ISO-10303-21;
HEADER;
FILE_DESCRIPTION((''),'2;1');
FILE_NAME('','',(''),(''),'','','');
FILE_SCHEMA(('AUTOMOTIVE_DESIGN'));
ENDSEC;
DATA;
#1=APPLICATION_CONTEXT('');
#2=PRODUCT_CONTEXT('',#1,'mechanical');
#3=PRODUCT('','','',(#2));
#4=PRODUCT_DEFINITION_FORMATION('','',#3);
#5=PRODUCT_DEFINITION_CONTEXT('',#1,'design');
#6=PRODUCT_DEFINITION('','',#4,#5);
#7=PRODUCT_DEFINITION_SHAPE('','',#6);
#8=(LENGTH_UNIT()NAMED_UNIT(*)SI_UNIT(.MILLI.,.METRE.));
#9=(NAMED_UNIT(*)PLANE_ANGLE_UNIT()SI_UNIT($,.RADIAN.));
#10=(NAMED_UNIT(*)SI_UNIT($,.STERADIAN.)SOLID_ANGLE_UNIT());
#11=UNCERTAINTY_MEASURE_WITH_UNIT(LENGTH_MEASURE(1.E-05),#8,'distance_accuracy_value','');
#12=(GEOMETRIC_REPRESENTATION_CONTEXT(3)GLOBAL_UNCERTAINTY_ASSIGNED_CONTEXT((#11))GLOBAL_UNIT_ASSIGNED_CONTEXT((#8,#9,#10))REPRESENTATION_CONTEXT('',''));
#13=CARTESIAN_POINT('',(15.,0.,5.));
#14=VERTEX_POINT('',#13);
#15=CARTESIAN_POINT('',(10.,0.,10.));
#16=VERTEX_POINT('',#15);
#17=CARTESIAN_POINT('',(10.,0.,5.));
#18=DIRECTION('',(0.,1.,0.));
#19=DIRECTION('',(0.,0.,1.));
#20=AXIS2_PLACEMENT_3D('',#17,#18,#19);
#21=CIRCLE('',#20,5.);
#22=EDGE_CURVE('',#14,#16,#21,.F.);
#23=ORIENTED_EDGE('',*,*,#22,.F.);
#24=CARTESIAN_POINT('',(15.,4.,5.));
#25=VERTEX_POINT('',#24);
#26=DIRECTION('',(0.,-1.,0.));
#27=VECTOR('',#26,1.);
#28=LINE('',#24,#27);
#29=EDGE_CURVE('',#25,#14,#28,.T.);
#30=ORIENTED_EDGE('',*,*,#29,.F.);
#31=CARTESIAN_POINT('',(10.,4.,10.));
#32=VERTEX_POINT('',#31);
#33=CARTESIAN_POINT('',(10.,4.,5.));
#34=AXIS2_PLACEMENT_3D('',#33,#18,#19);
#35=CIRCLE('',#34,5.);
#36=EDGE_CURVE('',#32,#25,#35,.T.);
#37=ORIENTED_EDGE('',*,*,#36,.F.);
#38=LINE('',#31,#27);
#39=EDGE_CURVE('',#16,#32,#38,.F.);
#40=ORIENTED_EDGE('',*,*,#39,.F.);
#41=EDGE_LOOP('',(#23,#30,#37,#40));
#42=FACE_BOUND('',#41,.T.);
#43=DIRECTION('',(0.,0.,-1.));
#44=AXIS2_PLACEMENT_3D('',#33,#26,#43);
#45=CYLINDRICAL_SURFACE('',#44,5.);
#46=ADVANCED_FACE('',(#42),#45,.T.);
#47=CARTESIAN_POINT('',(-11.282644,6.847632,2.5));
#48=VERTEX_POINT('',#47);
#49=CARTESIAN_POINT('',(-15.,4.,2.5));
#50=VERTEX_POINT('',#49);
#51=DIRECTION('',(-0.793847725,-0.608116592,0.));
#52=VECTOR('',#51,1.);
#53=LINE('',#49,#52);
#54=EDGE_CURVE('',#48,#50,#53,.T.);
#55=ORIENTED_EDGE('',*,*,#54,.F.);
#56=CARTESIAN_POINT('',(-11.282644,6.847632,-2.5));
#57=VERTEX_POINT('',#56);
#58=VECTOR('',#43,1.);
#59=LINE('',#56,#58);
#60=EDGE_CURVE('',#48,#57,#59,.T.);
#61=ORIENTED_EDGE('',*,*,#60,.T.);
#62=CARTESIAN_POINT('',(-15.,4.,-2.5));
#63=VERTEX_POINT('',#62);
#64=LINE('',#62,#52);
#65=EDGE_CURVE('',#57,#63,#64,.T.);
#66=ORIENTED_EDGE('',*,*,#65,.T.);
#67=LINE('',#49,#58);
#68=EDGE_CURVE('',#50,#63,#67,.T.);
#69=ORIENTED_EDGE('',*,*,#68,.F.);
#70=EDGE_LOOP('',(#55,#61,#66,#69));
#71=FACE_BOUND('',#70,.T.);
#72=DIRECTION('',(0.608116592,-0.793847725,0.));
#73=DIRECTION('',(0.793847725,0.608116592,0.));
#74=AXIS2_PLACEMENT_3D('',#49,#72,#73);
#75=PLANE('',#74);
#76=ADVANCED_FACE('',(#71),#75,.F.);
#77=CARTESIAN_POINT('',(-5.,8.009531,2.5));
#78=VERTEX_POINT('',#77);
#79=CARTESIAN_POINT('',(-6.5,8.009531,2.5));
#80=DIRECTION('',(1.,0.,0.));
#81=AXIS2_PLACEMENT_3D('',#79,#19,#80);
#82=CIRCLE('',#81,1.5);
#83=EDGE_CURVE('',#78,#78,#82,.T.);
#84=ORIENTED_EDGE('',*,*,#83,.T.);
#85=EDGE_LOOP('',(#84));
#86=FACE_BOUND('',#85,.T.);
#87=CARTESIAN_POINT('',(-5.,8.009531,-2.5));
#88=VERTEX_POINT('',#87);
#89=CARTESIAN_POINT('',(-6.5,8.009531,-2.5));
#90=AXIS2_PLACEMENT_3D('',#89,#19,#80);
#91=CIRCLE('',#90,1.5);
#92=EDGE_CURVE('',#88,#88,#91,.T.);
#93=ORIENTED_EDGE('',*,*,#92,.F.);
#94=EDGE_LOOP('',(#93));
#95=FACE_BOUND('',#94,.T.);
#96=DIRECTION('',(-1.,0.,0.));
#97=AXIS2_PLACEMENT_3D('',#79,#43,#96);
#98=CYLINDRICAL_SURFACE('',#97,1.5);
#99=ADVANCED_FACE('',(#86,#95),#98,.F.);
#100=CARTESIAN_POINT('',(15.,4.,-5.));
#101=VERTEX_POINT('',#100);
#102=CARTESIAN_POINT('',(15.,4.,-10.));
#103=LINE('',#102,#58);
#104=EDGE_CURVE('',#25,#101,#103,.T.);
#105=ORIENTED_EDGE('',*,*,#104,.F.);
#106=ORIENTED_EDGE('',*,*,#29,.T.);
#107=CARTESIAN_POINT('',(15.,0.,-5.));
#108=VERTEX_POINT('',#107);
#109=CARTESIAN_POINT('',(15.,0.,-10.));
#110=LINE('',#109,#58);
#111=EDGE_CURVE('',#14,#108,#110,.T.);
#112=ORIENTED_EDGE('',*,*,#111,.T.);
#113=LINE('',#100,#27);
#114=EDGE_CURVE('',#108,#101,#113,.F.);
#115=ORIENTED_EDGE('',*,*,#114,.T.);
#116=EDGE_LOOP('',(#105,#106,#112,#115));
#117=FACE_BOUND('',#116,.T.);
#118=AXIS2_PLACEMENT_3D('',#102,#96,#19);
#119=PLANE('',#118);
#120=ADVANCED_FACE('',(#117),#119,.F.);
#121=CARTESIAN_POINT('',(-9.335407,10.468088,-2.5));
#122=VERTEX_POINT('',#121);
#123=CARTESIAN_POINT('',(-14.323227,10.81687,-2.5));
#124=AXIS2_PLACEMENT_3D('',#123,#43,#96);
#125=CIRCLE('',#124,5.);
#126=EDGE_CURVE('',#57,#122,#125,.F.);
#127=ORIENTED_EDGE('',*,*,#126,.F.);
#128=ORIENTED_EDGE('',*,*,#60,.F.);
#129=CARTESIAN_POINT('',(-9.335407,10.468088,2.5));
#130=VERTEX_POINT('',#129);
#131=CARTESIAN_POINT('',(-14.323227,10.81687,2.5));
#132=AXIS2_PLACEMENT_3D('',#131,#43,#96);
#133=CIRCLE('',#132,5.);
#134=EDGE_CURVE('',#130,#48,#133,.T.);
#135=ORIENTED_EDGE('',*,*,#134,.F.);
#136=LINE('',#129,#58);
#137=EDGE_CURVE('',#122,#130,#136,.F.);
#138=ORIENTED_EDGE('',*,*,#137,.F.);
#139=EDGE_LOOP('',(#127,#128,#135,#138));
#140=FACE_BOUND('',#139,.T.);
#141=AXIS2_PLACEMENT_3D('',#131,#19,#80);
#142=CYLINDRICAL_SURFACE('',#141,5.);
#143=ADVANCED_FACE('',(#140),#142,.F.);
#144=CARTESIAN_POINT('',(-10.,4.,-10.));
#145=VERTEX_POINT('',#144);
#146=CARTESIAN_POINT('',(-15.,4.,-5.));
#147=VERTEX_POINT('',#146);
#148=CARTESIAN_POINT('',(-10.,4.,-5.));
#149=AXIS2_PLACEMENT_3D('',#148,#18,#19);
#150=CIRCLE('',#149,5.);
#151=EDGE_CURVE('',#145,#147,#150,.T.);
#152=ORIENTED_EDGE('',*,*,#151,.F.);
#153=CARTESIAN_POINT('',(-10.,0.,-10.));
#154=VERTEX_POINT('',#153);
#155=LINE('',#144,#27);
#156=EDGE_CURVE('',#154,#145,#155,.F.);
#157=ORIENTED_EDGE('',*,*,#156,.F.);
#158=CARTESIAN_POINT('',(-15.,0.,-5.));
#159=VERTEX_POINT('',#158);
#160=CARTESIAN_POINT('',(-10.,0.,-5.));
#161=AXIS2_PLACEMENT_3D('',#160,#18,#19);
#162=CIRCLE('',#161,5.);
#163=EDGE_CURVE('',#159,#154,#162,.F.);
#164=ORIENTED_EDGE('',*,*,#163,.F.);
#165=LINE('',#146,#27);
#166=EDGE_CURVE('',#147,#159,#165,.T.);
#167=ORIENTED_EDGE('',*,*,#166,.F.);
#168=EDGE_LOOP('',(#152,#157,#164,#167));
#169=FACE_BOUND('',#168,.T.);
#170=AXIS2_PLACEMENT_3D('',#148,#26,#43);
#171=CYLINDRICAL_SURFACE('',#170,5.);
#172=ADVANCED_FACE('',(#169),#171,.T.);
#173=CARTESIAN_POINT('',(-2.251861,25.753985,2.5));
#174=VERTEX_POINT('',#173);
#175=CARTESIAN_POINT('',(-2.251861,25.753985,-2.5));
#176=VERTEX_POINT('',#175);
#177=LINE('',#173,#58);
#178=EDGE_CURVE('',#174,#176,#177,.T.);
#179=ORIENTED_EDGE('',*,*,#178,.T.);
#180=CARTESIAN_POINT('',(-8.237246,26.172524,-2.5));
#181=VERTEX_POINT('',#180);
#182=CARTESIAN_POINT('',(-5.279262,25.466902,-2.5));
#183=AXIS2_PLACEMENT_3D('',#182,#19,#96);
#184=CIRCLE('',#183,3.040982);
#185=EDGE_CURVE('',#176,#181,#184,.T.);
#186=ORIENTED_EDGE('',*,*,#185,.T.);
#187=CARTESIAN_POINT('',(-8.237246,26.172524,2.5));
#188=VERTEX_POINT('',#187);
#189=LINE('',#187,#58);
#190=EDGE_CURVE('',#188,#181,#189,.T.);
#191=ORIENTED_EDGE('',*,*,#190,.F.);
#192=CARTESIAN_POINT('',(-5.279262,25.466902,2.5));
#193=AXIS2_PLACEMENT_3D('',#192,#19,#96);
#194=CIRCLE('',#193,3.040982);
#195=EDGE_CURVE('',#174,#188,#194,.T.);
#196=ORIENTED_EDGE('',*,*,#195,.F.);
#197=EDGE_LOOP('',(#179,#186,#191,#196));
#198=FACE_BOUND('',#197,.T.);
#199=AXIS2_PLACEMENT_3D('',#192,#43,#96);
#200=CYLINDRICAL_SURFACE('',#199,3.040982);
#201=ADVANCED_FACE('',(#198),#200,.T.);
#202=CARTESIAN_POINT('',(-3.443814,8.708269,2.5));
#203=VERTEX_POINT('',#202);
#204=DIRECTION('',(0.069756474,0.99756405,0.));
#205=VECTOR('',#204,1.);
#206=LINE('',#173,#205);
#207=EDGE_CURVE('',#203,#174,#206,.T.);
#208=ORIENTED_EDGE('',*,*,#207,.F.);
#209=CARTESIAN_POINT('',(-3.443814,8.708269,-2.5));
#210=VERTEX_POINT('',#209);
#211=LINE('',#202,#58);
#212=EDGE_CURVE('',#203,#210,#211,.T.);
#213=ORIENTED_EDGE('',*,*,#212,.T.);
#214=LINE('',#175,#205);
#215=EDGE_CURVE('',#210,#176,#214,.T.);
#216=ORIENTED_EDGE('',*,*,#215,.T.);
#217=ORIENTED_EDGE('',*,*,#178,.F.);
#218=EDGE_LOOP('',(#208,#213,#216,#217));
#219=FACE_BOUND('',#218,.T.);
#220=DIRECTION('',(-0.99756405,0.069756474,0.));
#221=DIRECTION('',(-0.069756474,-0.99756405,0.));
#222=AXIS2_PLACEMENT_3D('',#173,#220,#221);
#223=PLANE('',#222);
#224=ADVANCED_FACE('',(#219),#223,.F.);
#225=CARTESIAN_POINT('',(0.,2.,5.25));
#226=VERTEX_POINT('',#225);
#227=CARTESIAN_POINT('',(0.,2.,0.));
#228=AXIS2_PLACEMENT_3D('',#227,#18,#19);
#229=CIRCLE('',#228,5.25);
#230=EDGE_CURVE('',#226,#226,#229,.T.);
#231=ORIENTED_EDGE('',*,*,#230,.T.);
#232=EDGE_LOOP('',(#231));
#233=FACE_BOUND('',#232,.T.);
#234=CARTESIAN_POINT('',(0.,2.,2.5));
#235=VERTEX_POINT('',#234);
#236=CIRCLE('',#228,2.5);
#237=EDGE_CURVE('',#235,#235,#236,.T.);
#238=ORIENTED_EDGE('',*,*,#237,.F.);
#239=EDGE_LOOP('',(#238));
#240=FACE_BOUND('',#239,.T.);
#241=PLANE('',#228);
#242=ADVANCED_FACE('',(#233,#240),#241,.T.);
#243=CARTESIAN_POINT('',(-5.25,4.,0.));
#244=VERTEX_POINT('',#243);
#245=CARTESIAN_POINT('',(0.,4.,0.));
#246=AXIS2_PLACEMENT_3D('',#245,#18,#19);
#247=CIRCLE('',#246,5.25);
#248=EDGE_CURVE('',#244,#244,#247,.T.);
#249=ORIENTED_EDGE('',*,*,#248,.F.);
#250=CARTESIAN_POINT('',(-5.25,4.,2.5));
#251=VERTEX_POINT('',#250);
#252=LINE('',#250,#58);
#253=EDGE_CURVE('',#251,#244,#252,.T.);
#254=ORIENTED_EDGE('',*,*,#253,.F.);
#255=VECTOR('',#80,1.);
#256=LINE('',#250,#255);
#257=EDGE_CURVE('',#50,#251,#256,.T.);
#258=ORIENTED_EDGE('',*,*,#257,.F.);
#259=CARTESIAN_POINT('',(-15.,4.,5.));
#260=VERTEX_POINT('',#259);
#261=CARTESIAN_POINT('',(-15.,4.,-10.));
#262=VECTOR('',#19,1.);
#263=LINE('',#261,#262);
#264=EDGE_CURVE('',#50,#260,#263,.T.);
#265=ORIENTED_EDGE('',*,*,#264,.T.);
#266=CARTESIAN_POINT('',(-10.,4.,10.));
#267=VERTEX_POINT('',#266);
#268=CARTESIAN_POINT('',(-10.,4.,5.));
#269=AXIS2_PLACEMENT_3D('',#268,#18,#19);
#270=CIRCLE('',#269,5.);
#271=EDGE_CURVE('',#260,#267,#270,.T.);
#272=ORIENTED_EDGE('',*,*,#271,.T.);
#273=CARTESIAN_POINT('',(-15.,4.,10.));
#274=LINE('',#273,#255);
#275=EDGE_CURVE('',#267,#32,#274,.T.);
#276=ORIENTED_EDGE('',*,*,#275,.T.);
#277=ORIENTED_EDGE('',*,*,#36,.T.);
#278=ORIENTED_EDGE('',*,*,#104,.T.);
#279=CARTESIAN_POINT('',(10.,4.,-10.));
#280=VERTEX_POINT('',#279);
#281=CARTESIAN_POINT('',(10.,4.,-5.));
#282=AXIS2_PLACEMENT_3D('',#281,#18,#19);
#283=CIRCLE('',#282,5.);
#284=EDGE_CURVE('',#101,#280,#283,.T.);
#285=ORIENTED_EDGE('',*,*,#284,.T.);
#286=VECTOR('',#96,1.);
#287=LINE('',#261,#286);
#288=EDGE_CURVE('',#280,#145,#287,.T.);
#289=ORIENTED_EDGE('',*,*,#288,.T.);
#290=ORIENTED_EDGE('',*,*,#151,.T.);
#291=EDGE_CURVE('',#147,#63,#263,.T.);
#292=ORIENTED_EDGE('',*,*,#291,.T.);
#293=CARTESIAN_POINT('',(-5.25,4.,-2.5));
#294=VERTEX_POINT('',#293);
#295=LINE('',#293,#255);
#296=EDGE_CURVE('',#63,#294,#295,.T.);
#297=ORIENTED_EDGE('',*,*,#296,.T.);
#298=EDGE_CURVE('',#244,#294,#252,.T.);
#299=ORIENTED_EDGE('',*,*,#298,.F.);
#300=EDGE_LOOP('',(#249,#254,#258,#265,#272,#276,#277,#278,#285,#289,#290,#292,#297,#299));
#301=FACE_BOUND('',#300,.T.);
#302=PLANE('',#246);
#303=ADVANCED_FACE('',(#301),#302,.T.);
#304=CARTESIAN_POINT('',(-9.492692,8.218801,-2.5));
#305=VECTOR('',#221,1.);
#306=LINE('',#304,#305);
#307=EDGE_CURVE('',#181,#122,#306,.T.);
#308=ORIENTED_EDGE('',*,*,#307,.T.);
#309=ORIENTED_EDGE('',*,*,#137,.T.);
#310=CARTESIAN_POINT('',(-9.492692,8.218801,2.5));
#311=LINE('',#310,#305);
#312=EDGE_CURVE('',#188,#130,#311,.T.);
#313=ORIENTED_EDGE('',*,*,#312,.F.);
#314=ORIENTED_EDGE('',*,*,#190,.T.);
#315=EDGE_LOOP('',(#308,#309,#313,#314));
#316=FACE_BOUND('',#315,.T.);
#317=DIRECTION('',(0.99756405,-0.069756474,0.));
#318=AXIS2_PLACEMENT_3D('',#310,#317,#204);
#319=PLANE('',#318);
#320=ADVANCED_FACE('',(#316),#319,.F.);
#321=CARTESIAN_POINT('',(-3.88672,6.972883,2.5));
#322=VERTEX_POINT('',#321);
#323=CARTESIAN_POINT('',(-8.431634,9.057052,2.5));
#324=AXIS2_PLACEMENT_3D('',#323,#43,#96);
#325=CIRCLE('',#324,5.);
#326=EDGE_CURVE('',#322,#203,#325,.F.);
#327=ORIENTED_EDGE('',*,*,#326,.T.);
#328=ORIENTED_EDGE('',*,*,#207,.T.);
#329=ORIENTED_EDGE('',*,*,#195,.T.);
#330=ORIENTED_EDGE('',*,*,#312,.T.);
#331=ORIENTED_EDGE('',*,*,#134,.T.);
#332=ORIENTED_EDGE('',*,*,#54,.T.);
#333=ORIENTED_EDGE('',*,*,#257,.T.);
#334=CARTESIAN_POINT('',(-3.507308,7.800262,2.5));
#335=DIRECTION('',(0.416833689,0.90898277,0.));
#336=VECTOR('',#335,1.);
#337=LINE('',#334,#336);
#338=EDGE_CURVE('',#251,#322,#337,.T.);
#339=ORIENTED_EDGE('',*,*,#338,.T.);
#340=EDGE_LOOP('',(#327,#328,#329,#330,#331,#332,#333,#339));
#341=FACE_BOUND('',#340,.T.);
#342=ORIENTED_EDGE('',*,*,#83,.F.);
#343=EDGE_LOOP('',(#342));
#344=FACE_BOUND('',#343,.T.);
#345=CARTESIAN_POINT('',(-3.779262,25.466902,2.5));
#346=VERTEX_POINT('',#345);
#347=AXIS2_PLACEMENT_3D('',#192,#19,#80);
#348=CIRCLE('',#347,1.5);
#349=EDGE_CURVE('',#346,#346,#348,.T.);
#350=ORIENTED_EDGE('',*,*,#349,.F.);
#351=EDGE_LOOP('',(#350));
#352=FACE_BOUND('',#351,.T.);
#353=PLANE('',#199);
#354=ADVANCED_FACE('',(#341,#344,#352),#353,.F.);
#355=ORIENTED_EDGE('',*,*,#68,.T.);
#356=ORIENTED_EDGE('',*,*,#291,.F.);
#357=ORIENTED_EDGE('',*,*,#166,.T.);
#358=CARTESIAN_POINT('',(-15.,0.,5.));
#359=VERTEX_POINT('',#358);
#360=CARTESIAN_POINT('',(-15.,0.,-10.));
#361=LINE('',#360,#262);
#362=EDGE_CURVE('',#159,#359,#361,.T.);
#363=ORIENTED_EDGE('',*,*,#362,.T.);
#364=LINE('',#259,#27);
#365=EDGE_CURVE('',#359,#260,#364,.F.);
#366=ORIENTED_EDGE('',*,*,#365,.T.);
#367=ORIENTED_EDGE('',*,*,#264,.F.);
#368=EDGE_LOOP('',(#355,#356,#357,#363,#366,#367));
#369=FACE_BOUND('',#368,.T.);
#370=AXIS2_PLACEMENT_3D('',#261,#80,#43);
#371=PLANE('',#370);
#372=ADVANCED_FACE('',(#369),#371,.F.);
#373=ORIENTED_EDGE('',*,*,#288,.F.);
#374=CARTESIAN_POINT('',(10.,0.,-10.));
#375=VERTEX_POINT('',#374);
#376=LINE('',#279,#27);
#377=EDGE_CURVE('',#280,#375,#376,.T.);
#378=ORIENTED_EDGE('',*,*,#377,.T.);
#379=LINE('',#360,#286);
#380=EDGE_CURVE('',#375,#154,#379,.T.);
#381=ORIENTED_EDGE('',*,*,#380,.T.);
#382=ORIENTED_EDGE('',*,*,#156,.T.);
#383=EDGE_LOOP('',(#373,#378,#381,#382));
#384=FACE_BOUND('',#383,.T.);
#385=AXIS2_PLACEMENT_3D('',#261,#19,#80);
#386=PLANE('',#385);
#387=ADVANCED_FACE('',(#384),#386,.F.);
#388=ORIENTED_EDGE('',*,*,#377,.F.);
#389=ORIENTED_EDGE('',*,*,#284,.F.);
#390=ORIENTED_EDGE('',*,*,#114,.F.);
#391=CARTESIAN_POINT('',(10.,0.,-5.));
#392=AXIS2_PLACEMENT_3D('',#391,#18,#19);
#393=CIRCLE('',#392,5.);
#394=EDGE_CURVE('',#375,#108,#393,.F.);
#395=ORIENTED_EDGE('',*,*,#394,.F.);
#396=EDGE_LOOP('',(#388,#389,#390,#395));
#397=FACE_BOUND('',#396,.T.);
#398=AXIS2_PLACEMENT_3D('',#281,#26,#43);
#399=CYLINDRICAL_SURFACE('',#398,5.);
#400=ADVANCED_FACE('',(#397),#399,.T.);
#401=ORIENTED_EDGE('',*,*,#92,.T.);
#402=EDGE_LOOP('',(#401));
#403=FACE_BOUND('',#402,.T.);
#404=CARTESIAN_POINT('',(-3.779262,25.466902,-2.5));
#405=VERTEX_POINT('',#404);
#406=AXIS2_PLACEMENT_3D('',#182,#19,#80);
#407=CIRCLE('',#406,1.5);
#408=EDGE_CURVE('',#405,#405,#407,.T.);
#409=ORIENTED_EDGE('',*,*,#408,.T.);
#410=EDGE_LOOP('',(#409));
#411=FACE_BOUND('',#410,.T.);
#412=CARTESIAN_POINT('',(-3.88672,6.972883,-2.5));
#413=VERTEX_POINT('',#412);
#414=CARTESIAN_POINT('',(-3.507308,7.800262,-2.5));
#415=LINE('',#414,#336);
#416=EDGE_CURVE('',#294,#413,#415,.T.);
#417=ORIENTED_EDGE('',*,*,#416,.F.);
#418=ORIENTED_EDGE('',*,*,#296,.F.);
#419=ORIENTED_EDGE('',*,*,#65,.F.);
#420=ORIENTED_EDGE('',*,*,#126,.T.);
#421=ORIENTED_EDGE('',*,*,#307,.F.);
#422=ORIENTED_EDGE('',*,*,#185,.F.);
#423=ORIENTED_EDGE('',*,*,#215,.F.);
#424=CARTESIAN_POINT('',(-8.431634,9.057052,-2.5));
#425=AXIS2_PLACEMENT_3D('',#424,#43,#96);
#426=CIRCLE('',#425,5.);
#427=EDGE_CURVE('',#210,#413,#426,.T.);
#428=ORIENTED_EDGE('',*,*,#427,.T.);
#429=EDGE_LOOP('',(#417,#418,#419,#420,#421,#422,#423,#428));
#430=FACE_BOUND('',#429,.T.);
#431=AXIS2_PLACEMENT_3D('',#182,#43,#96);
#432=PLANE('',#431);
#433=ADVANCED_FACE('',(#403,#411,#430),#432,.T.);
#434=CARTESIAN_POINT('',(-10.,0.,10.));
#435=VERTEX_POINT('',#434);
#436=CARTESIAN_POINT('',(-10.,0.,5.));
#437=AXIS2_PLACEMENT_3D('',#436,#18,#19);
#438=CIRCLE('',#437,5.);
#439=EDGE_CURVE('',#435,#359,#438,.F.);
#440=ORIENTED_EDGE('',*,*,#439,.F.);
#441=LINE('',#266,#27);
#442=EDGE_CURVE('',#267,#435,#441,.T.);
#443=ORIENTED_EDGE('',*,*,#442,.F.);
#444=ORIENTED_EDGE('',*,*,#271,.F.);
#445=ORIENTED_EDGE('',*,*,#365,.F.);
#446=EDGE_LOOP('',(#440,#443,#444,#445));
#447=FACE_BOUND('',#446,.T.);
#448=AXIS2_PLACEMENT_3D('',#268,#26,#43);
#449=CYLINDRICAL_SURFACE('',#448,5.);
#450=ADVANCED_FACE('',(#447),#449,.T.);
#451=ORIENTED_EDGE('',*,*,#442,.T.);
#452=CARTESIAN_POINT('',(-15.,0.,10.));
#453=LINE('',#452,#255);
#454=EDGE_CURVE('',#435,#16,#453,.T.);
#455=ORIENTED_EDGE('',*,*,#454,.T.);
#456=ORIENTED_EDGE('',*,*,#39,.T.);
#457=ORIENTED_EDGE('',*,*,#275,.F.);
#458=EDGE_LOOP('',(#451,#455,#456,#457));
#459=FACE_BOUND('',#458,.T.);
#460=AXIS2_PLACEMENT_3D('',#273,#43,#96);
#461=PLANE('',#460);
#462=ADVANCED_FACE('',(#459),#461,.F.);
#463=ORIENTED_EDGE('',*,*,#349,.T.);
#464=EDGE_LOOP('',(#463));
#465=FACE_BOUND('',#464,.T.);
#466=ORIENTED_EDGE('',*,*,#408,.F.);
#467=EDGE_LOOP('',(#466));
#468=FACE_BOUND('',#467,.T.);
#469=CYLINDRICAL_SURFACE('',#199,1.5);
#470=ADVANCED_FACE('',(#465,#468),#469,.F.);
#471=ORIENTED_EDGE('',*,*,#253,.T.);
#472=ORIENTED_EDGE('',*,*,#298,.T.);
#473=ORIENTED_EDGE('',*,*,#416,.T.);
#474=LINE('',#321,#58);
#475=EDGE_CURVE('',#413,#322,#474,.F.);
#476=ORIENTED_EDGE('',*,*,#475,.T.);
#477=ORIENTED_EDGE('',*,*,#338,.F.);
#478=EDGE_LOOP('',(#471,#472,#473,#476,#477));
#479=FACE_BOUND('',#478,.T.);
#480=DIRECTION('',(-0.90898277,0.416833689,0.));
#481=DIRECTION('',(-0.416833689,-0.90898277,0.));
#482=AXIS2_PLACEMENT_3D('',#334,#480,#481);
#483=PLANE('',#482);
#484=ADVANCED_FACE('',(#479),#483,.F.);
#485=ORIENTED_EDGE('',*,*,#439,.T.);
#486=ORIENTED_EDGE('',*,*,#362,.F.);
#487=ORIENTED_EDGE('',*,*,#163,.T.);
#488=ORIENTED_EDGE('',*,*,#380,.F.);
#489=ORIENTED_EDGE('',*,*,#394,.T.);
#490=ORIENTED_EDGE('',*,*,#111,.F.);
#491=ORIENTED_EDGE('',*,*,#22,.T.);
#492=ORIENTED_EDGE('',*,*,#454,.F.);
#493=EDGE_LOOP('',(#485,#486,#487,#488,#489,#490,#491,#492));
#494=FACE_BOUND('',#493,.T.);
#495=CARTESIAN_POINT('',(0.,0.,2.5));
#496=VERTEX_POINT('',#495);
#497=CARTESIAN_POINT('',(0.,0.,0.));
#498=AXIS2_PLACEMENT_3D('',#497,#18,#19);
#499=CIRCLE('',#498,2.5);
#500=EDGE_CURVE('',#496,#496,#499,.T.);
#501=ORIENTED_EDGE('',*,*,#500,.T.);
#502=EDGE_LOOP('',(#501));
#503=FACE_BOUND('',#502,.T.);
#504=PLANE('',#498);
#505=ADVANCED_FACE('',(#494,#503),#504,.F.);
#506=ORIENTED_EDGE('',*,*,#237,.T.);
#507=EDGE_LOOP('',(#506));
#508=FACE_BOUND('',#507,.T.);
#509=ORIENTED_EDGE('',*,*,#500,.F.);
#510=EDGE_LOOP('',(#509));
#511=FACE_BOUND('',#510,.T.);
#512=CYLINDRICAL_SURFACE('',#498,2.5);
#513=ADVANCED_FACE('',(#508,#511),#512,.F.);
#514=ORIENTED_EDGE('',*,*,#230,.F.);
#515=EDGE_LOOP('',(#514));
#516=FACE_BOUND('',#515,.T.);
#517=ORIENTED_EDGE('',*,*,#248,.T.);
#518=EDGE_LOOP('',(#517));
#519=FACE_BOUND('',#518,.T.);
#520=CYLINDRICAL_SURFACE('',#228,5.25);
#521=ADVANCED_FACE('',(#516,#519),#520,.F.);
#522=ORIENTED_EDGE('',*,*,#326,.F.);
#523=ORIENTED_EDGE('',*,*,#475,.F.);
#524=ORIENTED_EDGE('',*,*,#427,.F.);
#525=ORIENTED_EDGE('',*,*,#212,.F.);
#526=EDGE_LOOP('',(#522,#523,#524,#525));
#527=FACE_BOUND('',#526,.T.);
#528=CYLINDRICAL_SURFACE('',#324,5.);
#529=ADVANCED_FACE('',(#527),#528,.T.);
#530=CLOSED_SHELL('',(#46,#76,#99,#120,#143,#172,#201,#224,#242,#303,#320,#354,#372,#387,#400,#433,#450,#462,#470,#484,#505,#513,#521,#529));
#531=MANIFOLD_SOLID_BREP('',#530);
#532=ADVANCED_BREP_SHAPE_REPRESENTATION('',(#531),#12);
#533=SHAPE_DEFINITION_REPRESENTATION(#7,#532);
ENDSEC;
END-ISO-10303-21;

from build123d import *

# Parameters (mm, degrees)
SKETCH1_W           = 30
SKETCH1_H           = 20
BOSS_EXTRUDE1_DEPTH = 4
SKETCH2_R           = 5.25
CUT_EXTRUDE1_DEPTH  = 2
SKETCH3_R           = 2.5
CUT_EXTRUDE2_DEPTH  = 5
SKETCH4_R           = 1.5
BOSS_EXTRUDE2_DEPTH = 2.5
FILLET1_R           = 5
FILLET2_R           = 5


with BuildPart() as part:
    # Sketch1 → Boss-Extrude1 (new body)
    with BuildSketch(Plane(origin=(0, 0, 0), x_dir=(1, 0, 0), z_dir=(0, 1, 0))):
        Rectangle(SKETCH1_W, SKETCH1_H)
    extrude(amount=BOSS_EXTRUDE1_DEPTH)

    # Sketch2 → Cut-Extrude1 (cut)
    with BuildSketch(Plane(origin=(0, 4, 0), x_dir=(1, 0, 0), z_dir=(0, 1, 0))):
        Circle(SKETCH2_R)
    extrude(amount=-CUT_EXTRUDE1_DEPTH, mode=Mode.SUBTRACT)

    # Sketch3 → Cut-Extrude2 (cut, through all)
    with BuildSketch(Plane(origin=(0, 4, 0), x_dir=(1, 0, 0), z_dir=(0, 1, 0))):
        Circle(SKETCH3_R)
    extrude(amount=-CUT_EXTRUDE2_DEPTH, mode=Mode.SUBTRACT)

    # Sketch4 → Boss-Extrude2 (add, symmetric)
    with BuildSketch(Plane.XY):
        with BuildLine():
            Line((-15, 4), (-9.492692151, 8.218800623))
            Line((-9.492692151, 8.218800623), (-8.237245547, 26.172523512))
            ThreePointArc((-8.237245547, 26.172523512), (-5.067133546, 28.50047615), (-2.251861245, 25.75398467))
            Line((-2.251861245, 25.75398467), (-3.507307849, 7.800261781))
            Line((-3.507307849, 7.800261781), (-5.25, 4))
            Line((-5.25, 4), (-15, 4))
        make_face()
        with Locations((-6.5, 8.009531202)):
            Circle(SKETCH4_R, mode=Mode.SUBTRACT)
        with Locations((-5.279261709, 25.466902082)):
            Circle(SKETCH4_R, mode=Mode.SUBTRACT)
    extrude(amount=BOSS_EXTRUDE2_DEPTH, both=True)

    # Fillet1
    fillet1_edges = [part.edges().sort_by_distance(p)[0] for p in [
        (-9.492692151, 8.218800623, 0),
        (-3.507307849, 7.800261781, 0),
    ]]
    fillet(fillet1_edges, radius=FILLET1_R)

    # Fillet2
    fillet2_edges = [part.edges().sort_by_distance(p)[0] for p in [
        (15, 2, 10),
        (-15, 2, 10),
        (-15, 2, -10),
        (15, 2, -10),
    ]]
    fillet(fillet2_edges, radius=FILLET2_R)


solid = part.part
